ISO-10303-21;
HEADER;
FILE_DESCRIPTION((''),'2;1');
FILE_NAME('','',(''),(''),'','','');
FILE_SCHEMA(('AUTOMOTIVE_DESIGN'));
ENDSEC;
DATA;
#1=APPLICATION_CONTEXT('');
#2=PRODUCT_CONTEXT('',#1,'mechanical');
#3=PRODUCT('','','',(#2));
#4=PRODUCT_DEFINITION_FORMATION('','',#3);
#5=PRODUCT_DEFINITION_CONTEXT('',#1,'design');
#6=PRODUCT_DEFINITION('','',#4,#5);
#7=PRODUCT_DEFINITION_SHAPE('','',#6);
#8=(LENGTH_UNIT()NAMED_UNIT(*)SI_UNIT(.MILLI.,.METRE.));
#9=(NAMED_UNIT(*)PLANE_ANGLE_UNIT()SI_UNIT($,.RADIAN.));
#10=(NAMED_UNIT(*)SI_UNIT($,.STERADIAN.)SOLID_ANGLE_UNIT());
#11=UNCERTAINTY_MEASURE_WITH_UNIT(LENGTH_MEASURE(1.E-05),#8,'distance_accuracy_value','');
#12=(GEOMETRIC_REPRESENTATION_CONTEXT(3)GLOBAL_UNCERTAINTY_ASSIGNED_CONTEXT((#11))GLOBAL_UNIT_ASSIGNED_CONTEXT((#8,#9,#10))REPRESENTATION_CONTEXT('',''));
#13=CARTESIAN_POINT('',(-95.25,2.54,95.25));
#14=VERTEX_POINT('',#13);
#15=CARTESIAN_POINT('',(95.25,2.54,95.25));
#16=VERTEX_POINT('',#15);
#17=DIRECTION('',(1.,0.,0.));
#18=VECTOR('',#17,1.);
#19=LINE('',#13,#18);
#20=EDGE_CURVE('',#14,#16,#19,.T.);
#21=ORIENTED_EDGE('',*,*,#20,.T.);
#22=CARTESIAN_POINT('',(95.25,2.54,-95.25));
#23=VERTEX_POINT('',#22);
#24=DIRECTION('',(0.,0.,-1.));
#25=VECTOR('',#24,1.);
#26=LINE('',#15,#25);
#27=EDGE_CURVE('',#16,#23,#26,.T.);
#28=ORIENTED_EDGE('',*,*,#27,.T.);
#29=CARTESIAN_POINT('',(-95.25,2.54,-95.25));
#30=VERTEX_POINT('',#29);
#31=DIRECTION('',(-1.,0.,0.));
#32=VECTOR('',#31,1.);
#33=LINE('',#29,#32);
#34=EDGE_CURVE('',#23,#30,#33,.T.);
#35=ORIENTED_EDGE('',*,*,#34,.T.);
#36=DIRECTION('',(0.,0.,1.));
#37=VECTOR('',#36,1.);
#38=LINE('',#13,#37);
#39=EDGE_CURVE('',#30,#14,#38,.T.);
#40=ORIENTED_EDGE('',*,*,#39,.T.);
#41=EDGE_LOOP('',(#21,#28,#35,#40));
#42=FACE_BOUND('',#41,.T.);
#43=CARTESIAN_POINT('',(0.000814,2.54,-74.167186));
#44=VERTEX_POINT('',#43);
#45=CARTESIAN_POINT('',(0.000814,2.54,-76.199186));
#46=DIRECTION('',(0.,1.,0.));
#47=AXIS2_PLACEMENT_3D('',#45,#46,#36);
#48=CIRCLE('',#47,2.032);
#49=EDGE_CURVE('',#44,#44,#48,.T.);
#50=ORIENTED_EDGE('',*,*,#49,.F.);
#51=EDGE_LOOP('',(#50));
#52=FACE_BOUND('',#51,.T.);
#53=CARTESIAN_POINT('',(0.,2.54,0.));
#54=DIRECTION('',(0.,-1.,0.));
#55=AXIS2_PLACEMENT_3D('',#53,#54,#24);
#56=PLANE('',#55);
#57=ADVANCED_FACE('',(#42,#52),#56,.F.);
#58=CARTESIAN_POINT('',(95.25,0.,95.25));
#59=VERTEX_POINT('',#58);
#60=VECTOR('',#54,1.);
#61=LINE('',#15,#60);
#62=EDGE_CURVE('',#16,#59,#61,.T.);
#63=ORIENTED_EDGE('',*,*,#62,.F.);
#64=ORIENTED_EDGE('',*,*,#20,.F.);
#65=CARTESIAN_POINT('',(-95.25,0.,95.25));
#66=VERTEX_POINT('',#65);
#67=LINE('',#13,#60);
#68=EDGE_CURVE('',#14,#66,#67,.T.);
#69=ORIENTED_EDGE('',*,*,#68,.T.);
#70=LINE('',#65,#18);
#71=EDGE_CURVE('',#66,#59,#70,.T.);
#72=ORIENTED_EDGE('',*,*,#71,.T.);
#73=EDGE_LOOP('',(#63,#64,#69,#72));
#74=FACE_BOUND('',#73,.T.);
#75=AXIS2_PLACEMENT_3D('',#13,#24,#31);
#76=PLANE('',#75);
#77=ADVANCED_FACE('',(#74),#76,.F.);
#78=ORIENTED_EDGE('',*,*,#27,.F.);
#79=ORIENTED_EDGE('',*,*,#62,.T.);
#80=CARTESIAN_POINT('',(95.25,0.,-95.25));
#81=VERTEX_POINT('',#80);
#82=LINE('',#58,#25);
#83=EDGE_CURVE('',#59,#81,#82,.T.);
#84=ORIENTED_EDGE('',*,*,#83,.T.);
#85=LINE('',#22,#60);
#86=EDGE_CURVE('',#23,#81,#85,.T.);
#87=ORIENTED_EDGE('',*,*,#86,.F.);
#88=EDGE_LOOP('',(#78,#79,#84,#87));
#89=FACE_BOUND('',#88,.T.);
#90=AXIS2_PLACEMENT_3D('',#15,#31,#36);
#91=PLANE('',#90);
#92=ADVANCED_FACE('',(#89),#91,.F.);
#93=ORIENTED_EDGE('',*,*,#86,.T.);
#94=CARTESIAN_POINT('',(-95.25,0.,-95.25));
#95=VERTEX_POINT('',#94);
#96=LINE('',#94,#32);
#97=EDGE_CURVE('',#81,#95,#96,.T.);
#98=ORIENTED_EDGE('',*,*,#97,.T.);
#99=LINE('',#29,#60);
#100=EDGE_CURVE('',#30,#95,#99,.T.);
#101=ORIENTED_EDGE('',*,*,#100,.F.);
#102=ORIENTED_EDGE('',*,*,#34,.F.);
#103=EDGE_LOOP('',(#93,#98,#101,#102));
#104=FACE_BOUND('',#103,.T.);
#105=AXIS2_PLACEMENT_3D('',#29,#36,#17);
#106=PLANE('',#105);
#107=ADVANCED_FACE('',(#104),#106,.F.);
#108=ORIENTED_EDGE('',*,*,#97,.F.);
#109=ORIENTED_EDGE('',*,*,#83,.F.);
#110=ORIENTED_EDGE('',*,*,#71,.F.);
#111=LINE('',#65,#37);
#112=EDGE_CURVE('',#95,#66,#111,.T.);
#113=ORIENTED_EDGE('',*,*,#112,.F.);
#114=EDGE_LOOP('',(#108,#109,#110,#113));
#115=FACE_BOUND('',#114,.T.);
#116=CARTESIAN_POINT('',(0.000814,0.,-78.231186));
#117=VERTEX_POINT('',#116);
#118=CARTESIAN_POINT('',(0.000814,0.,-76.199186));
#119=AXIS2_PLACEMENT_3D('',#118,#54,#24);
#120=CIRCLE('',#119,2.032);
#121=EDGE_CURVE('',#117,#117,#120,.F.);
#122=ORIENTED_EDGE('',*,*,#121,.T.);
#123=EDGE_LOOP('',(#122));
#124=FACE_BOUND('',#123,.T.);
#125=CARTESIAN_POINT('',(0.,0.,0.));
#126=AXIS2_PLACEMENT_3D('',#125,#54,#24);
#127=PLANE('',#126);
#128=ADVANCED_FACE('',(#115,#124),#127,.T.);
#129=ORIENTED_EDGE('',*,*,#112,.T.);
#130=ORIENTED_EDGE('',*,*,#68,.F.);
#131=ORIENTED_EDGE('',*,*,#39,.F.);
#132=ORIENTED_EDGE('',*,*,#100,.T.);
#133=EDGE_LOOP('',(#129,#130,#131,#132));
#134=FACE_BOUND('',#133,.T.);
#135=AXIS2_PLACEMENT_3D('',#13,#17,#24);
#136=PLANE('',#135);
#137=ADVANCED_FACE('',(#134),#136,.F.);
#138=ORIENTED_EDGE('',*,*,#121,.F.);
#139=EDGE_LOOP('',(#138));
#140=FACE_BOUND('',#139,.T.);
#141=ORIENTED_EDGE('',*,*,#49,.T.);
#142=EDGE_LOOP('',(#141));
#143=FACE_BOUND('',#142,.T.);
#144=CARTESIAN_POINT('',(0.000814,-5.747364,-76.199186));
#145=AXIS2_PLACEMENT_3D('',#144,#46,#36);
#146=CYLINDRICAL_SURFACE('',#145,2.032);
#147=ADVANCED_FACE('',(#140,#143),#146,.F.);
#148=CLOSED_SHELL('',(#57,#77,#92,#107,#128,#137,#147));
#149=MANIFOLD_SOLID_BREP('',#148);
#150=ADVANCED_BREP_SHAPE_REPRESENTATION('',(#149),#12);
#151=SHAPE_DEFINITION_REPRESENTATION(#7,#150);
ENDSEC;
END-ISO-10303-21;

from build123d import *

# Parameters (mm, degrees)
SKETCH1_W           = 190.5
SKETCH1_H           = 190.5
BOSS_EXTRUDE1_DEPTH = 2.54
SKETCH2_R           = 2.032
CUT_EXTRUDE1_DEPTH  = 2.54


with BuildPart() as part:
    # Sketch1 → Boss-Extrude1 (new body)
    with BuildSketch(Plane(origin=(0, 0, 0), x_dir=(1, 0, 0), z_dir=(0, 1, 0))):
        Rectangle(SKETCH1_W, SKETCH1_H)
    extrude(amount=BOSS_EXTRUDE1_DEPTH)

    # Sketch2 → Cut-Extrude1 (cut)
    with BuildSketch(Plane(origin=(0, 2.54, 0), x_dir=(1, 0, 0), z_dir=(0, 1, 0))):
        with Locations((0.000813673, 76.199186327)):
            Circle(SKETCH2_R)
    extrude(amount=-CUT_EXTRUDE1_DEPTH, mode=Mode.SUBTRACT)


solid = part.part
